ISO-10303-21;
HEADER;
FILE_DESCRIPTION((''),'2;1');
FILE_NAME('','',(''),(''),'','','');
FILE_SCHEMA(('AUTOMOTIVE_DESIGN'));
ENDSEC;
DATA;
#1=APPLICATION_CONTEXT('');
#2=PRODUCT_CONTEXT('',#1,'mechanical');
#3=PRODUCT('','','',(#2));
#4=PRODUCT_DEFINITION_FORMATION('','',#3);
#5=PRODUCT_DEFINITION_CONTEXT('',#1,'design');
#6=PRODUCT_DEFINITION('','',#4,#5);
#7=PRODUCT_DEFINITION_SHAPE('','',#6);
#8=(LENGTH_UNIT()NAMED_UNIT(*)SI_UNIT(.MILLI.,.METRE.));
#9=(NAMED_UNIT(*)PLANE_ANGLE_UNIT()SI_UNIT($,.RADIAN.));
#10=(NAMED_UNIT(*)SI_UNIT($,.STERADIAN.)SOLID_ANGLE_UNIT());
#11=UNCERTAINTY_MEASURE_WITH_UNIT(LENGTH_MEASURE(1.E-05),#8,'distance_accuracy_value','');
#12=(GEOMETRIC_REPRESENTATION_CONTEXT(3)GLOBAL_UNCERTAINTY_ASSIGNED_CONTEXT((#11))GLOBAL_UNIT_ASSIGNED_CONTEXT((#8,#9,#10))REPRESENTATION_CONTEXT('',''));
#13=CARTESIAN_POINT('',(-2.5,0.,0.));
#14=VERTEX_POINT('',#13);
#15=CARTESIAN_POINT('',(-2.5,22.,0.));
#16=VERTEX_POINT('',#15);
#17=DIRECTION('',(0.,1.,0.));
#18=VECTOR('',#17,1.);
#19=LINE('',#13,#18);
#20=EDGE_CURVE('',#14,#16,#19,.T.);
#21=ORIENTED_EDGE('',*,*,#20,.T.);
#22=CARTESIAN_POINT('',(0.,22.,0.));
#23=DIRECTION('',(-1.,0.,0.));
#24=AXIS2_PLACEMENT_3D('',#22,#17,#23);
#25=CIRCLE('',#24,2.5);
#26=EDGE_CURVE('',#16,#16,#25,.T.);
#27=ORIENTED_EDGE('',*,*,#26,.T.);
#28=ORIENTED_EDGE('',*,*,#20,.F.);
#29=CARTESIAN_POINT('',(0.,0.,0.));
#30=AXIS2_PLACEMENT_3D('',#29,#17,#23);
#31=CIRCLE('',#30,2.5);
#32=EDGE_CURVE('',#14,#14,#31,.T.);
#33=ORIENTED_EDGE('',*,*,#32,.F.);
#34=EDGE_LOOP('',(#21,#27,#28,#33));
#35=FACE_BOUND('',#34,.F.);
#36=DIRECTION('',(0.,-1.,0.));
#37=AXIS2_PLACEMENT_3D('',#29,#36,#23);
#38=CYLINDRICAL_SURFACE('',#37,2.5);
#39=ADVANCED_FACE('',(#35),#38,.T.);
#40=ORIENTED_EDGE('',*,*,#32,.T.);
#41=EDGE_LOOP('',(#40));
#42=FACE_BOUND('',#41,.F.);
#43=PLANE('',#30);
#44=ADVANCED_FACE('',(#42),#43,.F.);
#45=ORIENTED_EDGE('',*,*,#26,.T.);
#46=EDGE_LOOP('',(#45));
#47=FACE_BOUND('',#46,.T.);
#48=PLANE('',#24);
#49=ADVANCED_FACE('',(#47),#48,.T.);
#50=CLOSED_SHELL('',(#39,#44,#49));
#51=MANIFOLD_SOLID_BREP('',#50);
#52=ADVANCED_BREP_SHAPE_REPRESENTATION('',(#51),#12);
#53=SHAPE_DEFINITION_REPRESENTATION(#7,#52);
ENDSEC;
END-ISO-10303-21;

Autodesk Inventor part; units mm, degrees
ref_plane "YZ Plane" through (0, 0, 0) normal (1, 0, 0) x (0, 1, 0)
ref_plane "XZ Plane" through (0, 0, 0) normal (0, 1, 0) x (-1, 0, 0)
ref_plane "XY Plane" through (0, 0, 0) normal (0, 0, 1) x (1, 0, 0)
sketch "Sketch1" plane through (0, 0, 0) normal (0, 1, 0) x (-1, 0, 0)
  circle A0 centre (0, 0) radius 2.5
  dimension "d0" = 5
extrude "Extrusion1" add sketch "Sketch1" along normal blind 22
